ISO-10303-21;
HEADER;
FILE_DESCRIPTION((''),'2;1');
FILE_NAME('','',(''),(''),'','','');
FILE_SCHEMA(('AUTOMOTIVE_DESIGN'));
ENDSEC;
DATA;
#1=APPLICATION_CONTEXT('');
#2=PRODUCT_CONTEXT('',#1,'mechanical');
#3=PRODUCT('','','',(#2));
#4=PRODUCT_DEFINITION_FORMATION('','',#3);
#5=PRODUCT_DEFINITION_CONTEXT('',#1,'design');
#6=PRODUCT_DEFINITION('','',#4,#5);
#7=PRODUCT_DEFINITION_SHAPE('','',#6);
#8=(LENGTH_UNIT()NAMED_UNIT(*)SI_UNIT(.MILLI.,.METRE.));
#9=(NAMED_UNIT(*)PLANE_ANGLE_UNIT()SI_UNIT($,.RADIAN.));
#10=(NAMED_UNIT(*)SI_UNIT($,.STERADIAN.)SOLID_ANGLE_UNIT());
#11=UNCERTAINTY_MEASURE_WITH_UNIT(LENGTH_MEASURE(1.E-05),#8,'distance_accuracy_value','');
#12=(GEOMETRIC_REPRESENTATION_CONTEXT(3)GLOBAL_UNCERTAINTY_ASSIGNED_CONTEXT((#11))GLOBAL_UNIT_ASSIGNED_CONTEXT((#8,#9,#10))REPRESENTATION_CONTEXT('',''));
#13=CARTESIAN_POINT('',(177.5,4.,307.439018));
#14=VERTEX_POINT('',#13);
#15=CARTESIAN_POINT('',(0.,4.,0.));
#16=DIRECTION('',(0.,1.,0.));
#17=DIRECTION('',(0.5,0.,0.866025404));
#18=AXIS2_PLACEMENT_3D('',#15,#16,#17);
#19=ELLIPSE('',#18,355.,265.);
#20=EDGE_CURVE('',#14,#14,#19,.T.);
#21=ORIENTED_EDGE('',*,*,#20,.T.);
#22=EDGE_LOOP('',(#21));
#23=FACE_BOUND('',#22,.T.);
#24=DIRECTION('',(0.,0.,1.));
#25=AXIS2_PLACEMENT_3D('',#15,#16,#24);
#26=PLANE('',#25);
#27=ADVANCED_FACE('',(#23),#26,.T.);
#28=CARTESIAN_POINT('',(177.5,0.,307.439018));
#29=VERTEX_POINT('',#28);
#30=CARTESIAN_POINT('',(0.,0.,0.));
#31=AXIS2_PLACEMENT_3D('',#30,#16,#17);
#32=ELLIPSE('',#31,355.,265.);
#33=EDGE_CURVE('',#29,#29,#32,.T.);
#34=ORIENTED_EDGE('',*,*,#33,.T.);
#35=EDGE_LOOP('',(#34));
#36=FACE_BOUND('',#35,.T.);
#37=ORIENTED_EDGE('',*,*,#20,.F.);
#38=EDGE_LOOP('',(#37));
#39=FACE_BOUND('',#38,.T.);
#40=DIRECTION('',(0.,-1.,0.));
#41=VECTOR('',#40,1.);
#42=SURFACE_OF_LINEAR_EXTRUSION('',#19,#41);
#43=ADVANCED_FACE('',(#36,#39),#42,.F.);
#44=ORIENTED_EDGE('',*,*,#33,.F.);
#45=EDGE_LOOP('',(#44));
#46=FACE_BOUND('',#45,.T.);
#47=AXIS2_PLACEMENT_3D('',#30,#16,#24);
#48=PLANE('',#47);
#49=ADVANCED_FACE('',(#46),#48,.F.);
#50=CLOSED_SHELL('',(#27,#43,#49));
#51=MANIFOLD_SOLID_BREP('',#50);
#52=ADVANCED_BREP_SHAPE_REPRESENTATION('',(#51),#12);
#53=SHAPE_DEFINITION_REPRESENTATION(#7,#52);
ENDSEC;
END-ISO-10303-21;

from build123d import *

# Parameters (mm, degrees)
SKETCH1_RX          = 355
SKETCH1_RY          = 265
BOSS_EXTRUDE1_DEPTH = 4


with BuildPart() as part:
    # Sketch1 → Boss-Extrude1 (new body)
    with BuildSketch(Plane(origin=(0, 0, 0), x_dir=(1, 0, 0), z_dir=(0, 1, 0))):
        with Locations(Location((0, 0), (0, 0, -60))):
            Ellipse(SKETCH1_RX, SKETCH1_RY)
    extrude(amount=BOSS_EXTRUDE1_DEPTH)


solid = part.part
